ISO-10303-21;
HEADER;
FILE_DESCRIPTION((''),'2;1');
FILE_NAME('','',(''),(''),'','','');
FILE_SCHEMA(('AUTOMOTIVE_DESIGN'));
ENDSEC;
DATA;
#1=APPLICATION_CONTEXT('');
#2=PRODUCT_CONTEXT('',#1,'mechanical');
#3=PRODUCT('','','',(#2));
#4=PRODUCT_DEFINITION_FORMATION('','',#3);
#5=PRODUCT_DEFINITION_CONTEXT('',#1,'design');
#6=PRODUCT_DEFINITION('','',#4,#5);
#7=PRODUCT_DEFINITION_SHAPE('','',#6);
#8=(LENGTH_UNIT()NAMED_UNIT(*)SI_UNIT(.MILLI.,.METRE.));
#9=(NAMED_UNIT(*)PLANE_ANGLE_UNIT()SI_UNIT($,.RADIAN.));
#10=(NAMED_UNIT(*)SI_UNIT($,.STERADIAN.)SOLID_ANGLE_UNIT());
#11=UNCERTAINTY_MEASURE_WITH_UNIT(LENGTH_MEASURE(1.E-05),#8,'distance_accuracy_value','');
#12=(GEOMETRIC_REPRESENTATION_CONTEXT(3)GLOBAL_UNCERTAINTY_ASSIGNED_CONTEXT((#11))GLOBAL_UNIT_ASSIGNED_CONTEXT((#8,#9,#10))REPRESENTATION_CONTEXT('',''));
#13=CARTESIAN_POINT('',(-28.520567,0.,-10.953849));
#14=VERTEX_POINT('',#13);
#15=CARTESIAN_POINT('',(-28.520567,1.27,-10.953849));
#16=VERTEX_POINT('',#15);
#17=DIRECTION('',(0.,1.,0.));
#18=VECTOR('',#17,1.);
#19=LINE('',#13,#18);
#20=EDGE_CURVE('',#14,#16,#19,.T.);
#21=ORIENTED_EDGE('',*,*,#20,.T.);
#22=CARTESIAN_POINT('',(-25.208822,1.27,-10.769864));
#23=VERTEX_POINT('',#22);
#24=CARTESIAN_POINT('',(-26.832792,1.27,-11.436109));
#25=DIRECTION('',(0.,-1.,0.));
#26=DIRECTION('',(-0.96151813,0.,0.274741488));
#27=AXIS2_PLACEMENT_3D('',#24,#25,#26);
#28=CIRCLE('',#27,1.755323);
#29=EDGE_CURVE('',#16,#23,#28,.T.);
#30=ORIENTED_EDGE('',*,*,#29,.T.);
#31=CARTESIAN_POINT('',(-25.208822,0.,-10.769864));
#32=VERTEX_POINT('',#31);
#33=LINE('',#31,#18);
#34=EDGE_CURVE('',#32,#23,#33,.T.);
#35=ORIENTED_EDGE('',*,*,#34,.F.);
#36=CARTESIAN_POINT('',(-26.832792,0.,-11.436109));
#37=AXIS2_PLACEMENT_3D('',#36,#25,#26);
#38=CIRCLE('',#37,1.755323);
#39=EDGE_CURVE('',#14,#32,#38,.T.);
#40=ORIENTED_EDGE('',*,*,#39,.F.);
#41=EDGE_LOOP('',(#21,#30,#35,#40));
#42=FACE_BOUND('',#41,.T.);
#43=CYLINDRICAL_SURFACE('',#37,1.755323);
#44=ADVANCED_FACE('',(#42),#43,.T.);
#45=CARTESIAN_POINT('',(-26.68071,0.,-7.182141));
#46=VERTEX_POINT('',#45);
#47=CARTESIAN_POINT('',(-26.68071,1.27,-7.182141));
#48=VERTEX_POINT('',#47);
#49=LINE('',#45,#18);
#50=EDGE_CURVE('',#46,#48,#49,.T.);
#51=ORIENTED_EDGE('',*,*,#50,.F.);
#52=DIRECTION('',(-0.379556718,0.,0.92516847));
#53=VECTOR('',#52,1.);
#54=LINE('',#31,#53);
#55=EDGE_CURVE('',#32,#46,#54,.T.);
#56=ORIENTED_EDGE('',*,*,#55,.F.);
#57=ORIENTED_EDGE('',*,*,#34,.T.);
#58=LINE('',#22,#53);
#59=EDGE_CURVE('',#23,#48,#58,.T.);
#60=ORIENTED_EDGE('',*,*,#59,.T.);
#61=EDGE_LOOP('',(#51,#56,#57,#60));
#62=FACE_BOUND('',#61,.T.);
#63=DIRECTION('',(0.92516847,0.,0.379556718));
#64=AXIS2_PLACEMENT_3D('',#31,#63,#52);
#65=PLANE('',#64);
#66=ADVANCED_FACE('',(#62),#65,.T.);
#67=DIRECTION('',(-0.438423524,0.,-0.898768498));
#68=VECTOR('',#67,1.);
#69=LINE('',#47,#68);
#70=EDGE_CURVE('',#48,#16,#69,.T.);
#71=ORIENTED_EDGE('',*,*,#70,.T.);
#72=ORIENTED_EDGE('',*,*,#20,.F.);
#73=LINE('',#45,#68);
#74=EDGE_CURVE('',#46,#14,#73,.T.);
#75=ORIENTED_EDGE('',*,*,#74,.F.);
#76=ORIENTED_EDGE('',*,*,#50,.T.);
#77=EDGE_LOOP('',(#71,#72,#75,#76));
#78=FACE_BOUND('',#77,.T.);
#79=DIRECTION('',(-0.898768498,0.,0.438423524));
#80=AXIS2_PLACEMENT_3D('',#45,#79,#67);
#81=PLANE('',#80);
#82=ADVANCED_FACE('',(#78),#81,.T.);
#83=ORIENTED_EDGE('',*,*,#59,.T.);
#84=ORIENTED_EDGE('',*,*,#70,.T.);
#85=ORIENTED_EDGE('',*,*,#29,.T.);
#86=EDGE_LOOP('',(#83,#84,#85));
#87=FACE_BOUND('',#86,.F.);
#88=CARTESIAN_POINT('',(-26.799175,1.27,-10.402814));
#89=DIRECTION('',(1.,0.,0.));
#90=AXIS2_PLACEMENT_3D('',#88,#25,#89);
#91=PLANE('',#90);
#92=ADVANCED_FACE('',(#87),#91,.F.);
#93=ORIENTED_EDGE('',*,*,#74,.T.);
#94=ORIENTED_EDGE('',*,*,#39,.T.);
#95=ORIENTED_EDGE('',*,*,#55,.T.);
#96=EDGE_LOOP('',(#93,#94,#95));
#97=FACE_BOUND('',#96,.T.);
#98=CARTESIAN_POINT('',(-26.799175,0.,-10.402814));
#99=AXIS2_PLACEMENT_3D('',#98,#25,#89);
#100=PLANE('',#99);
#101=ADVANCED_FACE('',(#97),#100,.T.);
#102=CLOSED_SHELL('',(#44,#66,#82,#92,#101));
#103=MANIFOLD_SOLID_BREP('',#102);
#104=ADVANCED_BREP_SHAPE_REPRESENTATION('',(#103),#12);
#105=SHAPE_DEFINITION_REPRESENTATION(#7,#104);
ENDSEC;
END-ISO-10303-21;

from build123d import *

# Parameters (mm, degrees)
F1_DEPTH = 1.27


with BuildPart() as f1:
    # F0 (on Front) → F1 (new body)
    with BuildSketch(Plane.XZ):
        with BuildLine():
            Line((-26.68071, -7.182141), (-28.520567, -10.953849))
            ThreePointArc((-28.520567, -10.953849), (-26.735424, -13.18873), (-25.208822, -10.769864))
            Line((-25.208822, -10.769864), (-26.68071, -7.182141))
        make_face()
    extrude(amount=-F1_DEPTH)


solid = f1.part
